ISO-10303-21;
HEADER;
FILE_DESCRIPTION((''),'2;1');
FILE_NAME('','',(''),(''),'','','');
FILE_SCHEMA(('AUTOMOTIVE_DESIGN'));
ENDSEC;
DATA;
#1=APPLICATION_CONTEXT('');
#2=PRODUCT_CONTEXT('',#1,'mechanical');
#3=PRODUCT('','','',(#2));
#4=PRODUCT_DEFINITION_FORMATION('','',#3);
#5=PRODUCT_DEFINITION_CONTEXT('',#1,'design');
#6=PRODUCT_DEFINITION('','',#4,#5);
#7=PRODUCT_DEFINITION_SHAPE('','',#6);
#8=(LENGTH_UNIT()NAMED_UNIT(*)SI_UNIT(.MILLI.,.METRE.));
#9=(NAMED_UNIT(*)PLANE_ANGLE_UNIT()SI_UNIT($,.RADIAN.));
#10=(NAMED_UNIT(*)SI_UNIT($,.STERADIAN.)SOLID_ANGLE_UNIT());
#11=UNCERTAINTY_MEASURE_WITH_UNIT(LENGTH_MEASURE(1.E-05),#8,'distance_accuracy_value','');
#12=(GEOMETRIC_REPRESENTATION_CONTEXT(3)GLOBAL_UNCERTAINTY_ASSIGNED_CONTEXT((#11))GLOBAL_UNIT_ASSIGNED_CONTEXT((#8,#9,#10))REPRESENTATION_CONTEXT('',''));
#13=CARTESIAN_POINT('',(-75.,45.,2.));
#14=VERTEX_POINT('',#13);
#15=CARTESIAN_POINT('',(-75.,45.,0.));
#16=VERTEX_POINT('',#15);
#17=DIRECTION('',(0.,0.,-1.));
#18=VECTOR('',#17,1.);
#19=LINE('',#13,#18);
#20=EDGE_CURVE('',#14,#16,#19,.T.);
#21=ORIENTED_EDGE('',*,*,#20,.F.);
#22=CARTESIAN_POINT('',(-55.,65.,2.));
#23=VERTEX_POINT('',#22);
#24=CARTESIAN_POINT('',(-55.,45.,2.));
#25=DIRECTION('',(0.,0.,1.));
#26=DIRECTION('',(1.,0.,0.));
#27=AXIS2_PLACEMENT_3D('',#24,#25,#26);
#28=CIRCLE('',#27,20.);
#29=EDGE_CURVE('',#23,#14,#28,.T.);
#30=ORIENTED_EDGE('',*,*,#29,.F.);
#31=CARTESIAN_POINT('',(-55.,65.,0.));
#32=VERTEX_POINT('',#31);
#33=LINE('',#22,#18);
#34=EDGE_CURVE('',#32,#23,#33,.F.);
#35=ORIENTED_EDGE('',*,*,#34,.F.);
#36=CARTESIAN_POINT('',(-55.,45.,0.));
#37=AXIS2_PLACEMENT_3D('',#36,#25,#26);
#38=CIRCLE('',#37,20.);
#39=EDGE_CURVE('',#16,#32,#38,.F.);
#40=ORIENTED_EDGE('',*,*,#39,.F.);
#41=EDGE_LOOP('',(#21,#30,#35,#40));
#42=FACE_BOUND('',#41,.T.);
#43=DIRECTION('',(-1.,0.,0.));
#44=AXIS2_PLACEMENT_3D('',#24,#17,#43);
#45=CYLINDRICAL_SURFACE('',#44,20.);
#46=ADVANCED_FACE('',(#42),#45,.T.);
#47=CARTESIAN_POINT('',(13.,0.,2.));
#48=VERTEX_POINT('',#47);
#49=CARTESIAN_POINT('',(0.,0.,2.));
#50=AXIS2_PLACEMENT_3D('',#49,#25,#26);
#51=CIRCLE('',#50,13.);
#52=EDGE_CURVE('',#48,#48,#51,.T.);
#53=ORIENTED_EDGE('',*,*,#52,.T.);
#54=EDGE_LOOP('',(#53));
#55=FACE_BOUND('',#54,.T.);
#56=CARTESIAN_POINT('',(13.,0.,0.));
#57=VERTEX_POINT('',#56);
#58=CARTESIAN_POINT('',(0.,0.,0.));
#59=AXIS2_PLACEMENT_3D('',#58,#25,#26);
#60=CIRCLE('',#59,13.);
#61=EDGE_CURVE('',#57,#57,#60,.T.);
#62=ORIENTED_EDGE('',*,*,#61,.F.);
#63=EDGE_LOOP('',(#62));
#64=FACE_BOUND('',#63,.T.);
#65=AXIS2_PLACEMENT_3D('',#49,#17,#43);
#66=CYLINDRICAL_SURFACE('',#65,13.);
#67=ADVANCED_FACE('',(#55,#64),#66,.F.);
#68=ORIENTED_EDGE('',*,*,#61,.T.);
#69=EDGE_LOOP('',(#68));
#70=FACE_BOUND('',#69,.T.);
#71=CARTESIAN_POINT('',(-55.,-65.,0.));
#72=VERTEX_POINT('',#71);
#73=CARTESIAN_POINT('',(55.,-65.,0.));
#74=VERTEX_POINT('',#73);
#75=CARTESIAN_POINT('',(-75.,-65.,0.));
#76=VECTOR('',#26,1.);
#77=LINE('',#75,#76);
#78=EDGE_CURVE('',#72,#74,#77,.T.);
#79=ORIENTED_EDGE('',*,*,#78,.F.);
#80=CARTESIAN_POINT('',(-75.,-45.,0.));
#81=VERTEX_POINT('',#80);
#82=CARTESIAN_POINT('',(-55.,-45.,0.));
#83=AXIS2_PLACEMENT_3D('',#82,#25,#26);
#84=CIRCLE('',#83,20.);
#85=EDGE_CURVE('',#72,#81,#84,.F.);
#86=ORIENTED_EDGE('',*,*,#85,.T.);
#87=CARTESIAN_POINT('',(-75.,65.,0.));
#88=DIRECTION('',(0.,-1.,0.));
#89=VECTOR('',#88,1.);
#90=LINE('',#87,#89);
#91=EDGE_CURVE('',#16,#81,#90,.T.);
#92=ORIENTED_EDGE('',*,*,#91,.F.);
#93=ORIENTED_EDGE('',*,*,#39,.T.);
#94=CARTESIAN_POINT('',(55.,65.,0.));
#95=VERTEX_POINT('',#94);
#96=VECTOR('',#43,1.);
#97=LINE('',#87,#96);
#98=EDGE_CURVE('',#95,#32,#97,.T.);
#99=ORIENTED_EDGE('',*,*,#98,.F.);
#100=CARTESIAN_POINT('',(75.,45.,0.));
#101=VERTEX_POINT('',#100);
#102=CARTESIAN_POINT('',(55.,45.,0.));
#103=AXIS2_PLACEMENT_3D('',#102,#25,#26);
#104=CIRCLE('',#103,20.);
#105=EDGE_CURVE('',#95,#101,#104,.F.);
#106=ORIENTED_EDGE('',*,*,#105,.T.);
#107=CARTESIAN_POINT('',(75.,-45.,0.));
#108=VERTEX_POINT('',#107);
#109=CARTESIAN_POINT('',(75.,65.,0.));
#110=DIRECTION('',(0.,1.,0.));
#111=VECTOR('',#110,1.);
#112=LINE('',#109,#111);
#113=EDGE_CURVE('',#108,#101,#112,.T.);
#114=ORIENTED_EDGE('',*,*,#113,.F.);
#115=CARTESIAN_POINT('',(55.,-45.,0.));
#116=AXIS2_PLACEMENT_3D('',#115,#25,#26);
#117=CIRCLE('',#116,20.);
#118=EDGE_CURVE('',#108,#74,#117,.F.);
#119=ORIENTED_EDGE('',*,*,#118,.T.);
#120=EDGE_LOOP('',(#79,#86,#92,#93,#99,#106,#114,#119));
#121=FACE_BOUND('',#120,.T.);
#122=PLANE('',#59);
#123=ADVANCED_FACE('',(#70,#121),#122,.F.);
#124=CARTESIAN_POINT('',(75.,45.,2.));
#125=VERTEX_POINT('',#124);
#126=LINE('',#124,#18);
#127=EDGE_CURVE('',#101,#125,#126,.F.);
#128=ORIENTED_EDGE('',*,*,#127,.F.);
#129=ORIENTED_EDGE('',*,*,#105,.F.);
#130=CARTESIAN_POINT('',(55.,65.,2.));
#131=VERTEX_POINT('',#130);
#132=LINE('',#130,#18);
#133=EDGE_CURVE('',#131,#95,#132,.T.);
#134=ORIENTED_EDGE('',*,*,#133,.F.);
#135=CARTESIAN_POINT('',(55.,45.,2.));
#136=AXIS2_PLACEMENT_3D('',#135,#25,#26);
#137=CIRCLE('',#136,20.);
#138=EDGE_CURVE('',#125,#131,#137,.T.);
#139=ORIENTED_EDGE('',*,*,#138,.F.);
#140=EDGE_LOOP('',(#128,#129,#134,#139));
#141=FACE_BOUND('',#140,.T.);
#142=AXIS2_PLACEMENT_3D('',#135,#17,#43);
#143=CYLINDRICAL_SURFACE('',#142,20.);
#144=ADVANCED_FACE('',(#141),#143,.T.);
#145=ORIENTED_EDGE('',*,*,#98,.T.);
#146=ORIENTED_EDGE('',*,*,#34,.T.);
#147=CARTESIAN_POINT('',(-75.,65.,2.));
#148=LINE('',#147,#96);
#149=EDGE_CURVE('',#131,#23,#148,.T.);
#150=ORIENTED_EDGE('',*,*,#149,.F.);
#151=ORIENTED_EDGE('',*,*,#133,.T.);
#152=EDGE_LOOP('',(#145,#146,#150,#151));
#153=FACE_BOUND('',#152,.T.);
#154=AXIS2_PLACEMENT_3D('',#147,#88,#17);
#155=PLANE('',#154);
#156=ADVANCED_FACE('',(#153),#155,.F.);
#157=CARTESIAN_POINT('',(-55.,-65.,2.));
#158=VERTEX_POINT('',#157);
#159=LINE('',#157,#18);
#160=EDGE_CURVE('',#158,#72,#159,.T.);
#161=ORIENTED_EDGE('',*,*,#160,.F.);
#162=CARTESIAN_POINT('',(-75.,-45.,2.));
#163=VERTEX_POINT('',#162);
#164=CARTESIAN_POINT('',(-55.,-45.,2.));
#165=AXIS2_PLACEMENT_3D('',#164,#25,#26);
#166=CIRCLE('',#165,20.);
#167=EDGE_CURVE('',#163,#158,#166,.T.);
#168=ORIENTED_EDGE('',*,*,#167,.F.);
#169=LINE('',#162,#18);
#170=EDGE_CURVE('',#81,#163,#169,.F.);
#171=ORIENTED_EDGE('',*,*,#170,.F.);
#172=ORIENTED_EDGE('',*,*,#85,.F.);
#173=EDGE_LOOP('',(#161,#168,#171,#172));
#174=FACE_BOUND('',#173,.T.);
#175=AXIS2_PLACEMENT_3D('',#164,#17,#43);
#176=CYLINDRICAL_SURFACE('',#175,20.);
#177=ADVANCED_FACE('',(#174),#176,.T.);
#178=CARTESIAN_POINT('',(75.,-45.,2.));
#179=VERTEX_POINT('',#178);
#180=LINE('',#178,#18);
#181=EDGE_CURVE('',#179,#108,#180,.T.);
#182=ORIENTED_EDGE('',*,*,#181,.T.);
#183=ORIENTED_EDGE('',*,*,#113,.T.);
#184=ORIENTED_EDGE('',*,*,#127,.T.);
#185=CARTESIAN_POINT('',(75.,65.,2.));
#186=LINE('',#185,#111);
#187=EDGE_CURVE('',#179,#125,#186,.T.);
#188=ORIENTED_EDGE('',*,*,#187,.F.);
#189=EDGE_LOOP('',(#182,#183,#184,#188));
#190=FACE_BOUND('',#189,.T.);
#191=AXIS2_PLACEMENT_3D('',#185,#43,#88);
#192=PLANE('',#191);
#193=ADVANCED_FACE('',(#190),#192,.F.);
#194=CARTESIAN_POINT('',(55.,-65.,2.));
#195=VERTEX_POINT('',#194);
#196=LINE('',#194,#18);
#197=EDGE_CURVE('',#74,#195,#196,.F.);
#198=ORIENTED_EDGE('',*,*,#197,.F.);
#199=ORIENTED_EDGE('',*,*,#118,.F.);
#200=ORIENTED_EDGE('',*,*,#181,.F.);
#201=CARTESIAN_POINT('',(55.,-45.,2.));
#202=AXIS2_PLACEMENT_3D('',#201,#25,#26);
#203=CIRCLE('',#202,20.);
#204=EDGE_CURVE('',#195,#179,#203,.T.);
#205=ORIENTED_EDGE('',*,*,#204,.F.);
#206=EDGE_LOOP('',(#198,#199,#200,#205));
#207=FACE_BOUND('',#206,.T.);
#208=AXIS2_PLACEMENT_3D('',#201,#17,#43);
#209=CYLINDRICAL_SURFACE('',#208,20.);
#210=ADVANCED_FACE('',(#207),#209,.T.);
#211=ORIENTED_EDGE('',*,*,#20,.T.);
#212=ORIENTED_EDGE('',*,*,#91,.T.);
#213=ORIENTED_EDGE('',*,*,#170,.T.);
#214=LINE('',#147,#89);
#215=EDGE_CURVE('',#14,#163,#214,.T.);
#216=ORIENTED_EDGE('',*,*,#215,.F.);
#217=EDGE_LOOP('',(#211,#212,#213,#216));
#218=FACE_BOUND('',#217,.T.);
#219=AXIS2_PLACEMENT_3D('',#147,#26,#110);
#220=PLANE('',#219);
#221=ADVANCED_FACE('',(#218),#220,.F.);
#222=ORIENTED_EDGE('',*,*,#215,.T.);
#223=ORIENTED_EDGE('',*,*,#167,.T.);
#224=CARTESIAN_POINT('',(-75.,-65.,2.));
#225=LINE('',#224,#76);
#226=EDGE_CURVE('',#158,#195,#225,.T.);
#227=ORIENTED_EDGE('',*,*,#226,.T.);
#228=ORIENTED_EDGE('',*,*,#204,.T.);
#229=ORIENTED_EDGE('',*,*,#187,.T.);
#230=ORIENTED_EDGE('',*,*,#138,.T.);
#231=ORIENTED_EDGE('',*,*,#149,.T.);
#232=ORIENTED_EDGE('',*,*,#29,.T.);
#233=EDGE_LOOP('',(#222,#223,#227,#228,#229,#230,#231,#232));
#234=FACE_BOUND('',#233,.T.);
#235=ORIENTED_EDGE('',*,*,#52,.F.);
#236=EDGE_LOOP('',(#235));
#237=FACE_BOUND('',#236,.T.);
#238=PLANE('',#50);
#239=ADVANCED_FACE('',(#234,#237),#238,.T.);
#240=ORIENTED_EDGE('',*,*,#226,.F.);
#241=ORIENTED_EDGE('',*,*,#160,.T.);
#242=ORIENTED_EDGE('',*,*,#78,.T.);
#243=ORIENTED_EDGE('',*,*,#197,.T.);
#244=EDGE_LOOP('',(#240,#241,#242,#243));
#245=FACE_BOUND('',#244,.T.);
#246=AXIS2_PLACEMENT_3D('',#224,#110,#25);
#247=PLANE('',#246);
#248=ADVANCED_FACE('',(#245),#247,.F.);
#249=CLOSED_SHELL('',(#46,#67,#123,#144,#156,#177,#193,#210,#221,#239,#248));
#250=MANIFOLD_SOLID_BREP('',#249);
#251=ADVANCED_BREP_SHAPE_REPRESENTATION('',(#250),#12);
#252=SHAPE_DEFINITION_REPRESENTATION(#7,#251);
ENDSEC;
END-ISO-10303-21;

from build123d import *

# Parameters (mm, degrees)
SKETCH_1_W      = 150
SKETCH_1_H      = 130
SKETCH_1_R      = 13
EXTRUDE_1_DEPTH = 2
FILLET_1_R      = 20


with BuildPart() as part:
    # 草图1 → 凸台-拉伸1 (new body)
    with BuildSketch(Plane.XY):
        Rectangle(SKETCH_1_W, SKETCH_1_H)
        Circle(SKETCH_1_R, mode=Mode.SUBTRACT)
    extrude(amount=EXTRUDE_1_DEPTH)

    # 圆角1
    fillet_1_edges = [part.edges().sort_by_distance(p)[0] for p in [
        (75, -65, 1),
        (-75, -65, 1),
        (-75, 65, 1),
        (75, 65, 1),
    ]]
    fillet(fillet_1_edges, radius=FILLET_1_R)


solid = part.part
